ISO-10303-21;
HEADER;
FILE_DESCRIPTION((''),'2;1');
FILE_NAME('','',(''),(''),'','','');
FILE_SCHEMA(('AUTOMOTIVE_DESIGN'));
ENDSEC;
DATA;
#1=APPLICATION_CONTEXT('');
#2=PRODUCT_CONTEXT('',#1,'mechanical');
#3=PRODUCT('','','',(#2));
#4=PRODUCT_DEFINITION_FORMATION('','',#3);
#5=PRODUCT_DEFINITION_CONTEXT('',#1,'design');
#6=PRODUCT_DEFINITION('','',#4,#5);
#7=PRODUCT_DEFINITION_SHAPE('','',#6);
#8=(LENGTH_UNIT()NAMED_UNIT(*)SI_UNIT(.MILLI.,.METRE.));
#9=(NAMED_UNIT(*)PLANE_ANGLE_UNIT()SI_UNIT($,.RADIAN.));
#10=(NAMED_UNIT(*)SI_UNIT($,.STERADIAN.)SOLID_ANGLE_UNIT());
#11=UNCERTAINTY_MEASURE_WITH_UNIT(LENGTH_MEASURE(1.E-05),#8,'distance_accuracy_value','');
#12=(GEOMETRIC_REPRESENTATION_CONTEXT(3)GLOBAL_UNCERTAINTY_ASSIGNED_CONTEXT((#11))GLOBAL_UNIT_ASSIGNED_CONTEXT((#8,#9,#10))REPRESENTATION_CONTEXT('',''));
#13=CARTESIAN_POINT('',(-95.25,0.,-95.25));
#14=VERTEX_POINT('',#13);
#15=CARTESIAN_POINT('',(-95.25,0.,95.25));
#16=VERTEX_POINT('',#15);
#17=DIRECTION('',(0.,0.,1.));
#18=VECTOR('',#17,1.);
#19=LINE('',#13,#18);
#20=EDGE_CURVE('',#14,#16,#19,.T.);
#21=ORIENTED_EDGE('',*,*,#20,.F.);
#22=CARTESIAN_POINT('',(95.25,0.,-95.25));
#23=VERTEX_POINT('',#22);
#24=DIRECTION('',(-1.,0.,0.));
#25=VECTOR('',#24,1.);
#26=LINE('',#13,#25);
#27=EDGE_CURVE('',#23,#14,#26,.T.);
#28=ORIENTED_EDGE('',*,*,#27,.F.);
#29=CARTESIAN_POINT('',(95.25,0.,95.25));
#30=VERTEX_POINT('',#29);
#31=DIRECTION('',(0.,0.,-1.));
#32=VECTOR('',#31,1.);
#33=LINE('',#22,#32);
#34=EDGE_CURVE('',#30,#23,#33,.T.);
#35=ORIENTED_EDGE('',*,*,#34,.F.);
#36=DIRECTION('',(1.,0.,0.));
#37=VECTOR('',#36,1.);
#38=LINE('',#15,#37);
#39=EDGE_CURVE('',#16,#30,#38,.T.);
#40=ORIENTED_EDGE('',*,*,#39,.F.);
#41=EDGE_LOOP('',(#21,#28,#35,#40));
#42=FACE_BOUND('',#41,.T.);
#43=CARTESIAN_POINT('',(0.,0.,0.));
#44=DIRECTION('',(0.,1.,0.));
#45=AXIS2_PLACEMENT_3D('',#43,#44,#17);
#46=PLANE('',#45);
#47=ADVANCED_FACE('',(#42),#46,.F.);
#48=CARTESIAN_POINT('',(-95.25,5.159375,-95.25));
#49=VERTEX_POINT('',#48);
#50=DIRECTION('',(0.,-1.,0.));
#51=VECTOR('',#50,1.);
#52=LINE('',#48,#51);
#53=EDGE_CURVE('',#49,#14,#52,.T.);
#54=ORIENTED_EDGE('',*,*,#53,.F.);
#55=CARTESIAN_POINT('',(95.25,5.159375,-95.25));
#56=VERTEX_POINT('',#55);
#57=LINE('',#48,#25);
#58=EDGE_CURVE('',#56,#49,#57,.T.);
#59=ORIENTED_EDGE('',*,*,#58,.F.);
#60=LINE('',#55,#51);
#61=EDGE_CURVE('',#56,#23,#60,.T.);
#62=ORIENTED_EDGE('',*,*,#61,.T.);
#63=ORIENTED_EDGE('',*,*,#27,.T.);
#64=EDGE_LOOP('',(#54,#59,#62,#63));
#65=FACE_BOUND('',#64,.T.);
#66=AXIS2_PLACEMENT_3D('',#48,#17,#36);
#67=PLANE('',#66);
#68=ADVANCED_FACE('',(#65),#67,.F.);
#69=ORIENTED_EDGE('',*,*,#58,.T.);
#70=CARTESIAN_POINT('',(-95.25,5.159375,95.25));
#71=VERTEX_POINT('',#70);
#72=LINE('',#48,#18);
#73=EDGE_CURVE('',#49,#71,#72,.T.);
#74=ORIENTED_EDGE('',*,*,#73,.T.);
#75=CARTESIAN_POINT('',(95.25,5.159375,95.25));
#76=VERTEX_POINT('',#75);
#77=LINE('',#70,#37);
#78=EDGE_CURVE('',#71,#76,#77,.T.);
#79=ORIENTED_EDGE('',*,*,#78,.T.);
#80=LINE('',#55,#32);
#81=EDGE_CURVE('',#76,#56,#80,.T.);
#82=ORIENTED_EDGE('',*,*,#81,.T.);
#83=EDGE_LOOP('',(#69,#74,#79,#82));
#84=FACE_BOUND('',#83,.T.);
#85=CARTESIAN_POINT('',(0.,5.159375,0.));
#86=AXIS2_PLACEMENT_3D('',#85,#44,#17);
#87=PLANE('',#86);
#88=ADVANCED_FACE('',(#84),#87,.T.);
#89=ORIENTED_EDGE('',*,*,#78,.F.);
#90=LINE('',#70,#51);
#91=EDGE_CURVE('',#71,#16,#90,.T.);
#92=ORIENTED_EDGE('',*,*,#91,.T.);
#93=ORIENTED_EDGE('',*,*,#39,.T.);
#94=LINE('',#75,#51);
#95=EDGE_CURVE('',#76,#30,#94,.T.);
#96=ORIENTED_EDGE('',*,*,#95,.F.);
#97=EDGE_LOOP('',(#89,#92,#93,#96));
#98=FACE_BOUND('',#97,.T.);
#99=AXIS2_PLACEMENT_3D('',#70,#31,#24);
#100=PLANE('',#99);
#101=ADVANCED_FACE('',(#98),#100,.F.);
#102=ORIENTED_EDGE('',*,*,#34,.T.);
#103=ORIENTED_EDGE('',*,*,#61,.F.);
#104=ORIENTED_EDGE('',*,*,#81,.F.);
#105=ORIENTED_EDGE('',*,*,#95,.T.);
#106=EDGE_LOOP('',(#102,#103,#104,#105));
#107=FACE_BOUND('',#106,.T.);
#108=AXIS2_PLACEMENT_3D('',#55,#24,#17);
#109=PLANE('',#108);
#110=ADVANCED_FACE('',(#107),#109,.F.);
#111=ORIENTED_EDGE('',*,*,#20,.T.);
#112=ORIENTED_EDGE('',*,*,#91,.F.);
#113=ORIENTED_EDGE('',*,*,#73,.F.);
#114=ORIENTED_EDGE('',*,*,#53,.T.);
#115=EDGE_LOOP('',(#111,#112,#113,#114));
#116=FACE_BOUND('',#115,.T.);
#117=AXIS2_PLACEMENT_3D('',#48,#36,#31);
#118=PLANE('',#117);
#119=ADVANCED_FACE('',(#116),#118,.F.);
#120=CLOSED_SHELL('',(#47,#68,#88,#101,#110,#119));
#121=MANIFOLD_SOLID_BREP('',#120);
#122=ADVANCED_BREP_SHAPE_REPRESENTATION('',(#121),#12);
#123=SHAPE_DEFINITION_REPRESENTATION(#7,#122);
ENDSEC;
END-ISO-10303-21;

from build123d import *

# Parameters (mm, degrees)
SKETCH1_W           = 190.5
SKETCH1_H           = 190.5
BOSS_EXTRUDE1_DEPTH = 5.159375


with BuildPart() as part:
    # Sketch1 → Boss-Extrude1 (new body)
    with BuildSketch(Plane(origin=(0, 0, 0), x_dir=(1, 0, 0), z_dir=(0, 1, 0))):
        Rectangle(SKETCH1_W, SKETCH1_H)
    extrude(amount=BOSS_EXTRUDE1_DEPTH)


solid = part.part
